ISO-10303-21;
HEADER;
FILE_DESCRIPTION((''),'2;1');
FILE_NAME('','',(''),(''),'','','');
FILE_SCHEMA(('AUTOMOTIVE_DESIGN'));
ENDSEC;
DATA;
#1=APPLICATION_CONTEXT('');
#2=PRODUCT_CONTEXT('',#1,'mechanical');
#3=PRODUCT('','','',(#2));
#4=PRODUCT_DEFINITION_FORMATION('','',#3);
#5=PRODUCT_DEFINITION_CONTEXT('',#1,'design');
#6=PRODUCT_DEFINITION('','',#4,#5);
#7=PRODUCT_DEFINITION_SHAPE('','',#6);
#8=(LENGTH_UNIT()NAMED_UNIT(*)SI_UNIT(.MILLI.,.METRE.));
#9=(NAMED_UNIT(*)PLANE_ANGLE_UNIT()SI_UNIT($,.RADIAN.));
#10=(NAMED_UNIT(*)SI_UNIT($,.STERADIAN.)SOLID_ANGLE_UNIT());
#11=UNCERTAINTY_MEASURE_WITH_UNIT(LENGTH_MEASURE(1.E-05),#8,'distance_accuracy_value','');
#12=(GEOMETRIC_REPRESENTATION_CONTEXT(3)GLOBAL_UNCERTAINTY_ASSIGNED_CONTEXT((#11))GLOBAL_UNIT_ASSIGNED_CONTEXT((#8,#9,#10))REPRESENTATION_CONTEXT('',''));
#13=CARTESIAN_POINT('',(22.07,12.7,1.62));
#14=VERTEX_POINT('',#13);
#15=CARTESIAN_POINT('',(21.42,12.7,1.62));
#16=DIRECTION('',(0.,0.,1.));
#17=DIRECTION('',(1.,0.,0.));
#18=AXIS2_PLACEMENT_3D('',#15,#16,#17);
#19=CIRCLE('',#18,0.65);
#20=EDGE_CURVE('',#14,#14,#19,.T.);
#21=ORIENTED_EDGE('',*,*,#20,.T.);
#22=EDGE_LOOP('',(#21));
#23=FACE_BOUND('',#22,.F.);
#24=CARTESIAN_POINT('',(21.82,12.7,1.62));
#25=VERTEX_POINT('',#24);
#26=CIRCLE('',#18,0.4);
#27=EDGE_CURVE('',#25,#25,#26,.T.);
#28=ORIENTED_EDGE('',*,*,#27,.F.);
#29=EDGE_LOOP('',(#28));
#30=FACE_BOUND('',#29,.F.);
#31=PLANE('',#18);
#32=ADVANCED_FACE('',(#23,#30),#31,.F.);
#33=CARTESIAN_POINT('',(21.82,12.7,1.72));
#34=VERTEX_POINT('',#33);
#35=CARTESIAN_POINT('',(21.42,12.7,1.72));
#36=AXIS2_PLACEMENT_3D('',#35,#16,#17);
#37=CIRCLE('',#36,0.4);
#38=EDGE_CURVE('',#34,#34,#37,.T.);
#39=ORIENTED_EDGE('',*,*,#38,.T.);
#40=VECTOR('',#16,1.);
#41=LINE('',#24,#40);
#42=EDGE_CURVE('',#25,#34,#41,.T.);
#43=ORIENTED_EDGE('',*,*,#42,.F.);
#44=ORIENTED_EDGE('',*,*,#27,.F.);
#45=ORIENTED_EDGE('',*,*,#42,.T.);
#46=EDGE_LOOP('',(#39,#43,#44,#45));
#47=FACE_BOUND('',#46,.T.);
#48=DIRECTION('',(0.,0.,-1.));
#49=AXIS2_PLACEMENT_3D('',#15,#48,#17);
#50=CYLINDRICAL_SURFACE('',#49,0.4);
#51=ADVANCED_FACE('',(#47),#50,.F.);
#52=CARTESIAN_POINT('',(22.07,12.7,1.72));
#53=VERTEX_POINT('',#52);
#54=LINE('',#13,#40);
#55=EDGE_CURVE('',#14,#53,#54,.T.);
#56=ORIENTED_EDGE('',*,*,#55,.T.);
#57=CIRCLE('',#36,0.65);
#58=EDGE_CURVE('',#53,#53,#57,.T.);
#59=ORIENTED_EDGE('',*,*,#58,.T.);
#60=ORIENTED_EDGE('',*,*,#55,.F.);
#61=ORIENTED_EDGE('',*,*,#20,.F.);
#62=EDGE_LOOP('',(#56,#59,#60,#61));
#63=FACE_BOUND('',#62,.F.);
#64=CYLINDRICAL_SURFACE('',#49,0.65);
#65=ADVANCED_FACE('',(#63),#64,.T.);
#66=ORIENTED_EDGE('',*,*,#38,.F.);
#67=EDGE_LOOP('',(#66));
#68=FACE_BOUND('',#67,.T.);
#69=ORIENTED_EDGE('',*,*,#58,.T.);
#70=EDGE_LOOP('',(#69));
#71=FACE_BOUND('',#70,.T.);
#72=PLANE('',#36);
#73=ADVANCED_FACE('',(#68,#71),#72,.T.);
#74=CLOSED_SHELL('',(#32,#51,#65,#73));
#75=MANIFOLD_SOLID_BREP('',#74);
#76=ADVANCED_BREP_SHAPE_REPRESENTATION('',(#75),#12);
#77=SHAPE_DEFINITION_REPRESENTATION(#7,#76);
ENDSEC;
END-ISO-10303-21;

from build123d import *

# Parameters (mm, degrees)
CYLINDER007_R     = 0.4
CYLINDER007_DEPTH = 0.1
CYLINDER006_R     = 0.65
CYLINDER006_DEPTH = 0.1


with BuildPart() as cylinder007:
    # Cylinder007 → Cylinder007 (new body)
    with BuildSketch(Plane.XY.offset(1.62)):
        Circle(CYLINDER007_R)
    extrude(amount=CYLINDER007_DEPTH)


with BuildPart() as cut013:
    # Cylinder006 → Cylinder006 (new body)
    with BuildSketch(Plane.XY.offset(1.62)):
        Circle(CYLINDER006_R)
    extrude(amount=CYLINDER006_DEPTH)

    # Cut013: cut Cylinder007
    add(cylinder007.part, mode=Mode.SUBTRACT)


with BuildPart() as cut013_1:
    # Cut013 placement: moved
    add(cut013.part.moved(Location((21.42, 12.7, 0))))


solid = cut013_1.part
